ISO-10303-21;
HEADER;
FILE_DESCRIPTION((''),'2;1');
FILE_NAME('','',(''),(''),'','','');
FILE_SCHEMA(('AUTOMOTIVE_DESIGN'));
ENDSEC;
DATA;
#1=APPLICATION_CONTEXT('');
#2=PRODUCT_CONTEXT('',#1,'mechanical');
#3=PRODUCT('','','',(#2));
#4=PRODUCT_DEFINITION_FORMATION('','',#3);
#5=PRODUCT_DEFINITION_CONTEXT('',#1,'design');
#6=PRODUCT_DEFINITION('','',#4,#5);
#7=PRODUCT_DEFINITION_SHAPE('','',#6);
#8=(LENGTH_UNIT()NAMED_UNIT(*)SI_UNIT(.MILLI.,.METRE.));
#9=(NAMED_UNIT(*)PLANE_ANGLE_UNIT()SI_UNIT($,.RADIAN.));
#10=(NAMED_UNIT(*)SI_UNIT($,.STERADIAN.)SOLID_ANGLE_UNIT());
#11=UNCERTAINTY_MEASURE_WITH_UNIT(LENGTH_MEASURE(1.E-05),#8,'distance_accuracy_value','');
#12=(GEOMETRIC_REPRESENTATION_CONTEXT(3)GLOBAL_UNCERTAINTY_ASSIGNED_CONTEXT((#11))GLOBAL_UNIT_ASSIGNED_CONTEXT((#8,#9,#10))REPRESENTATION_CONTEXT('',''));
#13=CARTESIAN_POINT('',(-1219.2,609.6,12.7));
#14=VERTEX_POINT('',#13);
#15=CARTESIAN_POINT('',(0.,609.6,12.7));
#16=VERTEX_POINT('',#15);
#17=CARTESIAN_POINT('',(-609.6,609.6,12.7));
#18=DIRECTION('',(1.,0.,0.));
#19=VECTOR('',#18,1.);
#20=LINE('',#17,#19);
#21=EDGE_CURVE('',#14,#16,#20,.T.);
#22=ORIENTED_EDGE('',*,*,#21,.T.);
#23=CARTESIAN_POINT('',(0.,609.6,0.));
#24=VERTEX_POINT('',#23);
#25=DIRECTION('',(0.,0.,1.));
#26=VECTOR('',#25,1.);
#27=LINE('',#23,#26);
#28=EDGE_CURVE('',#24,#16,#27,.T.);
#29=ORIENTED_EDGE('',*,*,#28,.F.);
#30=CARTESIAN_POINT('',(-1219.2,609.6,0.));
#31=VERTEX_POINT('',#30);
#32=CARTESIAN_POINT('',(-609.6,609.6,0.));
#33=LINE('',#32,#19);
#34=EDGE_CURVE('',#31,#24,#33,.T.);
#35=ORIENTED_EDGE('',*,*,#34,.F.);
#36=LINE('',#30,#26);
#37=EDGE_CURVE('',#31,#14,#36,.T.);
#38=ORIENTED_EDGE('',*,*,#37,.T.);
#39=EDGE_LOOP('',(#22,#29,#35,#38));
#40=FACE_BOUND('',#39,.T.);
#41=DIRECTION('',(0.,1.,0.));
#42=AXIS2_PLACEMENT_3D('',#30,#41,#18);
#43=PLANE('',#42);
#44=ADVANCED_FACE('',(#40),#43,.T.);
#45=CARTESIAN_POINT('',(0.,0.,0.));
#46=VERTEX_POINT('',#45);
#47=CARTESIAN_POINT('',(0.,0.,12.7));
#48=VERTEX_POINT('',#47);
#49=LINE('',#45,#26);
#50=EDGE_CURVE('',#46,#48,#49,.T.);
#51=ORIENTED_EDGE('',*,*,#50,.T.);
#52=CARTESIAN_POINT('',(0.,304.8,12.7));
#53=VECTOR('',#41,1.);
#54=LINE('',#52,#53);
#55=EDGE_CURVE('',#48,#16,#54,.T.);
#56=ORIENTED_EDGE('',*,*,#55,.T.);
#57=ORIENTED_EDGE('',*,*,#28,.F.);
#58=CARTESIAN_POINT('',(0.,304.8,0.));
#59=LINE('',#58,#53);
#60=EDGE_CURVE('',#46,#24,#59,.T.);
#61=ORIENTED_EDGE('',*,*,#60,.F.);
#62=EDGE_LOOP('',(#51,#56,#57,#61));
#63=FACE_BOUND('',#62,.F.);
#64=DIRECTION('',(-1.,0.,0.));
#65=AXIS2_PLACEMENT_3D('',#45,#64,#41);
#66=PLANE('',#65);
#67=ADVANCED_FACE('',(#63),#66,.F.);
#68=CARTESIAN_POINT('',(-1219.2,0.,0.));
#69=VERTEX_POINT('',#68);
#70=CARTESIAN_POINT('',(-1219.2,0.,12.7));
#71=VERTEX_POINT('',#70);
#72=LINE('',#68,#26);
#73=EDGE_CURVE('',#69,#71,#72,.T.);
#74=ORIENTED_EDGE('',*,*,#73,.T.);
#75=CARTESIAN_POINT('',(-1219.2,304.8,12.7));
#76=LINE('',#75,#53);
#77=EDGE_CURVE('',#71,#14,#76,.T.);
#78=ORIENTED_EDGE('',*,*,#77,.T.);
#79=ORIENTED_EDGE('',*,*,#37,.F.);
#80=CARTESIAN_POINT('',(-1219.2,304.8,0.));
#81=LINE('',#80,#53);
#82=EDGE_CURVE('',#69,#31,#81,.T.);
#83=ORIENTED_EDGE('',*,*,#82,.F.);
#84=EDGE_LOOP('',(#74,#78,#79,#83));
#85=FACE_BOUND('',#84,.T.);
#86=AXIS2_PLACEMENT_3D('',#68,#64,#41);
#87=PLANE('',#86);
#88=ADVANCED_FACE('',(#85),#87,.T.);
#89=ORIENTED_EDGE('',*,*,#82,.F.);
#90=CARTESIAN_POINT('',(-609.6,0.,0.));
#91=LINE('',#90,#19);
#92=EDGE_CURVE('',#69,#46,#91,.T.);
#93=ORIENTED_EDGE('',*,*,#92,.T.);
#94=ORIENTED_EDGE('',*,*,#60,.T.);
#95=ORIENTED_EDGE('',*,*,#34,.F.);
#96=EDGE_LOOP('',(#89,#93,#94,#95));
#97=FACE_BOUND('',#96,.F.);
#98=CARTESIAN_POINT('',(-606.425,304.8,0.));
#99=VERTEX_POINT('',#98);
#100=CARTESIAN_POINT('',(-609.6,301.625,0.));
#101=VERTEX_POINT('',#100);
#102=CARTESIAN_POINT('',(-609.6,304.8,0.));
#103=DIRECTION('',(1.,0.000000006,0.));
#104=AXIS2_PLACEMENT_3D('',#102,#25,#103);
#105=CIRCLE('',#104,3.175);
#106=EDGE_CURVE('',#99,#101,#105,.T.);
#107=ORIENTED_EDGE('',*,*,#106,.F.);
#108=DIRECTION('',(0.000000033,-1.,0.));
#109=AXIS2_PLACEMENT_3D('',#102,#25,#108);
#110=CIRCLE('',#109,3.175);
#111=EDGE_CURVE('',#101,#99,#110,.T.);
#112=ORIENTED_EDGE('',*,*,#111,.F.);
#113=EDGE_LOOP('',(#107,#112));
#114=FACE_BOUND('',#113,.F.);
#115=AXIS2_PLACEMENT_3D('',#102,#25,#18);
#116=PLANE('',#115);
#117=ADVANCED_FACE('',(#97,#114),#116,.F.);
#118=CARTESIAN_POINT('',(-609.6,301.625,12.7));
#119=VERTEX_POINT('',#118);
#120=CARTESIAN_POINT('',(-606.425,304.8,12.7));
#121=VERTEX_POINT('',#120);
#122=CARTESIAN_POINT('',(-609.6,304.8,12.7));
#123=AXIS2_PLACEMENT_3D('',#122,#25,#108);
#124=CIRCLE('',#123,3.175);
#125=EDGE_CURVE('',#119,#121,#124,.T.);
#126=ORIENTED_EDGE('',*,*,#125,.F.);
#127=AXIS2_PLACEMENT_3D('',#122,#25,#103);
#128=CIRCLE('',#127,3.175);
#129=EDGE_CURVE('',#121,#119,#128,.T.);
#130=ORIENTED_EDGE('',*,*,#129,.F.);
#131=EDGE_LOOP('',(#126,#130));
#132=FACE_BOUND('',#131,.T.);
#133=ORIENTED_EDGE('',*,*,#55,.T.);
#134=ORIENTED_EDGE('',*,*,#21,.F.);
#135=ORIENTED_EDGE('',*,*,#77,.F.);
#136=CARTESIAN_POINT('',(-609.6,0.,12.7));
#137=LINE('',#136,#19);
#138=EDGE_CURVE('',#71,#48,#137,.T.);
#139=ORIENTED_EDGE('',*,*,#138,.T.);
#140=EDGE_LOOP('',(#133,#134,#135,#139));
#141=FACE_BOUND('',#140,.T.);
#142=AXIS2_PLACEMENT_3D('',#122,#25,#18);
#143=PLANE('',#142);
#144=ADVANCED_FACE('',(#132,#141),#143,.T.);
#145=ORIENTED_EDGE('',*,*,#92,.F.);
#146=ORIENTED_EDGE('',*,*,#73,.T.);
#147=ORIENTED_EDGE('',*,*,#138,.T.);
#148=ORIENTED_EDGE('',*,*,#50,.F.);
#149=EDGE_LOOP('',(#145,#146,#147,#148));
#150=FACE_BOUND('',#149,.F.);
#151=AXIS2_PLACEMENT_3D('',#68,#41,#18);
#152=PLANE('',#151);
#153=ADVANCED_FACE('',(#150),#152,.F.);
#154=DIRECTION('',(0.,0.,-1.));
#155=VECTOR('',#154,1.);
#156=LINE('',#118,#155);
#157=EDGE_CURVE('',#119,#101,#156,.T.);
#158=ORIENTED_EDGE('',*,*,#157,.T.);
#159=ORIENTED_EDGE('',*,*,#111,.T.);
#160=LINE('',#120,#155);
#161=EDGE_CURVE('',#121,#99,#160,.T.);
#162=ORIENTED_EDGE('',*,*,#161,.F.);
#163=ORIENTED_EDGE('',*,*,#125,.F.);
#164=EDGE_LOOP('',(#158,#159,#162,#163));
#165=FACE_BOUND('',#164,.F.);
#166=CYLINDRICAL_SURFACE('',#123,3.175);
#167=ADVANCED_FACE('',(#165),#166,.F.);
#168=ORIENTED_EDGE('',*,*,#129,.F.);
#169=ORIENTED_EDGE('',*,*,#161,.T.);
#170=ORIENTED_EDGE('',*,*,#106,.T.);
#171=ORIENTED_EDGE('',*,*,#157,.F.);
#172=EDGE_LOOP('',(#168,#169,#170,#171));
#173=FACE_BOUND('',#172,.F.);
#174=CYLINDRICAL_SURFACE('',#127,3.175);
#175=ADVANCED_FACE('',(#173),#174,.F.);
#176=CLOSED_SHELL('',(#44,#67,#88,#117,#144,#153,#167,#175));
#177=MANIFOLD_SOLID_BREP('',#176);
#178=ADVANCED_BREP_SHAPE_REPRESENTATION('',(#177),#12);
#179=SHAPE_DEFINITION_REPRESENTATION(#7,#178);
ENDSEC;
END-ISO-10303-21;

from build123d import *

# Parameters (mm, degrees)
F0_W     = 1219.2
F0_H     = 609.6
F1_DEPTH = 12.7
F3_DEPTH = 25.4


with BuildPart() as f1:
    # F0 (on Top) → F1 (new body)
    with BuildSketch(Plane.XY):
        with Locations((-609.6, 304.8)):
            Rectangle(F0_W, F0_H)
    extrude(amount=F1_DEPTH)

    # F2 (on face) → F3 (cut)
    with BuildSketch(Plane.XY.offset(12.7)):
        with BuildLine():
            ThreePointArc((-609.6, 301.625), (-607.354936, 302.554936), (-606.425, 304.8))
            ThreePointArc((-606.425, 304.8), (-611.845064, 307.045064), (-609.6, 301.625))
        make_face()
    extrude(amount=-F3_DEPTH, mode=Mode.SUBTRACT)


solid = f1.part
